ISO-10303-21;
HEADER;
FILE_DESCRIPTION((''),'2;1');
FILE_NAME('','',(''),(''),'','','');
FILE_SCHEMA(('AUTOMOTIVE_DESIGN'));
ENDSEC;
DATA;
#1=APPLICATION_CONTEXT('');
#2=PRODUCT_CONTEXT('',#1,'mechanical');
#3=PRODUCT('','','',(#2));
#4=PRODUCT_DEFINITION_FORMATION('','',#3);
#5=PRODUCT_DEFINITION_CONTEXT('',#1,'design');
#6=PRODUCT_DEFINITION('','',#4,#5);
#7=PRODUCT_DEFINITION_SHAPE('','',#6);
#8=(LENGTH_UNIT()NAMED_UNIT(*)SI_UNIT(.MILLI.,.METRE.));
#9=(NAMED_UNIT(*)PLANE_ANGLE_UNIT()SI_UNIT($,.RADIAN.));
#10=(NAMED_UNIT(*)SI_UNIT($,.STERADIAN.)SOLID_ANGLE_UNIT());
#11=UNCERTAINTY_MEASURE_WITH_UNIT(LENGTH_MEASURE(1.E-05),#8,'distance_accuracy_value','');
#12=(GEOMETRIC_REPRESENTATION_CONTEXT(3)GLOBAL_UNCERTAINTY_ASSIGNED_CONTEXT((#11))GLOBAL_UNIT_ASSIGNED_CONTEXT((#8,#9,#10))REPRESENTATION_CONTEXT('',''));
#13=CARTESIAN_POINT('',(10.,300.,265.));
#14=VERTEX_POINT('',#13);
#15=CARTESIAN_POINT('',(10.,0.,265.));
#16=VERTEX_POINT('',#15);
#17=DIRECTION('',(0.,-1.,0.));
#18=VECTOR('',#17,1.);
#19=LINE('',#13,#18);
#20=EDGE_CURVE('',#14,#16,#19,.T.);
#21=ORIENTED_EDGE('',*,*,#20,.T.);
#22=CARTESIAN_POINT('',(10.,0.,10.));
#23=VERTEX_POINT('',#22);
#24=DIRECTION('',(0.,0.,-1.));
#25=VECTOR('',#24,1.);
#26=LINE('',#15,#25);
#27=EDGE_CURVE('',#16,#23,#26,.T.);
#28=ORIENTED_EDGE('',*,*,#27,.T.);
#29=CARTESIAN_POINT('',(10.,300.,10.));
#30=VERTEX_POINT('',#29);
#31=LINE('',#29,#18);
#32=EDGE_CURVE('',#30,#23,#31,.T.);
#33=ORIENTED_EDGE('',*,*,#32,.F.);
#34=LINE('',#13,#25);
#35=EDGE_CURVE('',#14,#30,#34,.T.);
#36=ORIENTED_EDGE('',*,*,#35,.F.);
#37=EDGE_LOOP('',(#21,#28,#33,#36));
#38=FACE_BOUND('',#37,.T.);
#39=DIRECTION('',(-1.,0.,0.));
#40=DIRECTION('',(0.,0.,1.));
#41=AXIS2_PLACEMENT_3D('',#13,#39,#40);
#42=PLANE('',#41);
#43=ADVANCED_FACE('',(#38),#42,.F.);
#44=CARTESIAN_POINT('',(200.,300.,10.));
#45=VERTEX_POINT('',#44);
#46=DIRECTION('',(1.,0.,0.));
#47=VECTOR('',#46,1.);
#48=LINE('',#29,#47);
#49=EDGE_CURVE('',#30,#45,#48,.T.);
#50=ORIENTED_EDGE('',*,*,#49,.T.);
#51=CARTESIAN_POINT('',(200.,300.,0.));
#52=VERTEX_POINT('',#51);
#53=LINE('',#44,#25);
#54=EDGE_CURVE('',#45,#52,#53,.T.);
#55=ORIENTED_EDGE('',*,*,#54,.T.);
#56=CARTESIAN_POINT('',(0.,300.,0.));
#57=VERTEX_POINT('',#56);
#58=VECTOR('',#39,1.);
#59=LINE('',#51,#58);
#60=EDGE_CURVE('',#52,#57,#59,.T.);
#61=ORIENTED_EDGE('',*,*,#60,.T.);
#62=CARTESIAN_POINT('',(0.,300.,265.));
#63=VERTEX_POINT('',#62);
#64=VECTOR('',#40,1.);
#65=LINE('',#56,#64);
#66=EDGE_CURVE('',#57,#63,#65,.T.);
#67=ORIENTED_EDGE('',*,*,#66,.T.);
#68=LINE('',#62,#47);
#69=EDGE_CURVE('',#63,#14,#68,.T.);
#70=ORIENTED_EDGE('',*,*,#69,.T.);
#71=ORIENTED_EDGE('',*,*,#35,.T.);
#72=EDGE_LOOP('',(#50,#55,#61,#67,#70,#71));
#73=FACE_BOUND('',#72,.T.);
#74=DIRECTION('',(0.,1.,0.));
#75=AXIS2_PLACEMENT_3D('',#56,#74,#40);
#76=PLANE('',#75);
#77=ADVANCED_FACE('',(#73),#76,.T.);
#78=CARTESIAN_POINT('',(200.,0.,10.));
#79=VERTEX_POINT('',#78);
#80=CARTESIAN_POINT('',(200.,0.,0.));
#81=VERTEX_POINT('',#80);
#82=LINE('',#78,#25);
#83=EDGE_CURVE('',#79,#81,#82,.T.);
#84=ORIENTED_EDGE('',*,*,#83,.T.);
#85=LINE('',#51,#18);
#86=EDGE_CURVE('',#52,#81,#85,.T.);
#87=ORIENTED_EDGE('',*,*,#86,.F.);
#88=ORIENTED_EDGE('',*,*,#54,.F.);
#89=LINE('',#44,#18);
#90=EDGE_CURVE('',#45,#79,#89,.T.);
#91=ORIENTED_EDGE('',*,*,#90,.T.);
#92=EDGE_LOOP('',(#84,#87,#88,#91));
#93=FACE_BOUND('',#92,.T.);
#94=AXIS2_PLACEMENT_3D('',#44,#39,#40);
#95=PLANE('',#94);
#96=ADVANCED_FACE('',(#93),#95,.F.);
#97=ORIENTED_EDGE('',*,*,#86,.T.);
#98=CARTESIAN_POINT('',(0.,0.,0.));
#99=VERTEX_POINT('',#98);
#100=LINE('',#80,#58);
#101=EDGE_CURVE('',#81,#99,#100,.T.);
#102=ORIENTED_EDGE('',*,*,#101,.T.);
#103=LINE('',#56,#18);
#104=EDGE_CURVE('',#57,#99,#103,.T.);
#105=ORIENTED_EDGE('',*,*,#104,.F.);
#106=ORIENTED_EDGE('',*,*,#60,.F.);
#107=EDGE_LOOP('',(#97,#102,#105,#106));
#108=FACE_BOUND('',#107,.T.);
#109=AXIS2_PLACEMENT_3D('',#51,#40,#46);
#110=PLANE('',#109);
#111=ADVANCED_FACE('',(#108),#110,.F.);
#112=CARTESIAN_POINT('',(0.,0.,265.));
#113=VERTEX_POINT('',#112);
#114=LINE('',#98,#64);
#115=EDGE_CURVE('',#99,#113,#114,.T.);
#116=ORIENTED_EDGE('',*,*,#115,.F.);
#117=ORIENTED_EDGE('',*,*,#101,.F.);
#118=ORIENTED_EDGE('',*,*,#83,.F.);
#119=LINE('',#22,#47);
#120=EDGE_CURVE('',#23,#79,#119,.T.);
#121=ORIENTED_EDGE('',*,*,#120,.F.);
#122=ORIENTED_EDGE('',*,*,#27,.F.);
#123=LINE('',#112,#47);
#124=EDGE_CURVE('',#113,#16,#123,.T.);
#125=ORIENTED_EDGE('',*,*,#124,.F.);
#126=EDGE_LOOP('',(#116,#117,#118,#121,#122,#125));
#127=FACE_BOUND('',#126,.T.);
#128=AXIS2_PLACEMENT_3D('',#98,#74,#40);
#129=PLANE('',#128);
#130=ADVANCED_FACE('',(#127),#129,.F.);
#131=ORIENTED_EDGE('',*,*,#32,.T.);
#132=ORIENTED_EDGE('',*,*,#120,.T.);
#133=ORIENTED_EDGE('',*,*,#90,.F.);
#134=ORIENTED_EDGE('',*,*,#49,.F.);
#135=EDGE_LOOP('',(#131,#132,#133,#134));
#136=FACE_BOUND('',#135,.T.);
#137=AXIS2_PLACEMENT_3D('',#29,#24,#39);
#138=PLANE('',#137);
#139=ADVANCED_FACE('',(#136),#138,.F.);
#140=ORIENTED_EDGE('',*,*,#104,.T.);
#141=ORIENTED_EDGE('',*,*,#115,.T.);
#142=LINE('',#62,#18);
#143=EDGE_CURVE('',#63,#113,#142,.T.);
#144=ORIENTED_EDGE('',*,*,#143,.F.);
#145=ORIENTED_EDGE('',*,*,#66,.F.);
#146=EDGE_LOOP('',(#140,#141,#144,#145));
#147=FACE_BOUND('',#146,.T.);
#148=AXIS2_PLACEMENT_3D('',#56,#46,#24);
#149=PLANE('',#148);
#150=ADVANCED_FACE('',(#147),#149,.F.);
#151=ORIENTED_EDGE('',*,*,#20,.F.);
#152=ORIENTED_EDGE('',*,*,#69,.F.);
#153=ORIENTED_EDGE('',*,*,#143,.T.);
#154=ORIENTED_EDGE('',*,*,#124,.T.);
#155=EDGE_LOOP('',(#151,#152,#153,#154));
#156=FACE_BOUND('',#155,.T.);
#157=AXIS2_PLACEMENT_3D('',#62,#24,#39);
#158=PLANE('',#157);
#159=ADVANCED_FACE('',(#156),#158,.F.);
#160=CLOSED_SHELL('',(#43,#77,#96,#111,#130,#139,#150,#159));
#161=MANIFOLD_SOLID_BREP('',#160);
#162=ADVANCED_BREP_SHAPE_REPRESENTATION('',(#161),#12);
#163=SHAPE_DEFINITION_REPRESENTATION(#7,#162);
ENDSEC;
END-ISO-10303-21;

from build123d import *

# Parameters (mm, degrees)
BOSS_EXTRUDE1_DEPTH = 300


with BuildPart() as part:
    # Sketch1 → Boss-Extrude1 (new body)
    with BuildSketch(Plane(origin=(0, 0, 0), x_dir=(1, 0, 0), z_dir=(0, 1, 0))):
        Polygon((0, 0), (0, -265), (10, -265), (10, -10), (200, -10), (200, 0), align=None)
    extrude(amount=BOSS_EXTRUDE1_DEPTH)


solid = part.part
